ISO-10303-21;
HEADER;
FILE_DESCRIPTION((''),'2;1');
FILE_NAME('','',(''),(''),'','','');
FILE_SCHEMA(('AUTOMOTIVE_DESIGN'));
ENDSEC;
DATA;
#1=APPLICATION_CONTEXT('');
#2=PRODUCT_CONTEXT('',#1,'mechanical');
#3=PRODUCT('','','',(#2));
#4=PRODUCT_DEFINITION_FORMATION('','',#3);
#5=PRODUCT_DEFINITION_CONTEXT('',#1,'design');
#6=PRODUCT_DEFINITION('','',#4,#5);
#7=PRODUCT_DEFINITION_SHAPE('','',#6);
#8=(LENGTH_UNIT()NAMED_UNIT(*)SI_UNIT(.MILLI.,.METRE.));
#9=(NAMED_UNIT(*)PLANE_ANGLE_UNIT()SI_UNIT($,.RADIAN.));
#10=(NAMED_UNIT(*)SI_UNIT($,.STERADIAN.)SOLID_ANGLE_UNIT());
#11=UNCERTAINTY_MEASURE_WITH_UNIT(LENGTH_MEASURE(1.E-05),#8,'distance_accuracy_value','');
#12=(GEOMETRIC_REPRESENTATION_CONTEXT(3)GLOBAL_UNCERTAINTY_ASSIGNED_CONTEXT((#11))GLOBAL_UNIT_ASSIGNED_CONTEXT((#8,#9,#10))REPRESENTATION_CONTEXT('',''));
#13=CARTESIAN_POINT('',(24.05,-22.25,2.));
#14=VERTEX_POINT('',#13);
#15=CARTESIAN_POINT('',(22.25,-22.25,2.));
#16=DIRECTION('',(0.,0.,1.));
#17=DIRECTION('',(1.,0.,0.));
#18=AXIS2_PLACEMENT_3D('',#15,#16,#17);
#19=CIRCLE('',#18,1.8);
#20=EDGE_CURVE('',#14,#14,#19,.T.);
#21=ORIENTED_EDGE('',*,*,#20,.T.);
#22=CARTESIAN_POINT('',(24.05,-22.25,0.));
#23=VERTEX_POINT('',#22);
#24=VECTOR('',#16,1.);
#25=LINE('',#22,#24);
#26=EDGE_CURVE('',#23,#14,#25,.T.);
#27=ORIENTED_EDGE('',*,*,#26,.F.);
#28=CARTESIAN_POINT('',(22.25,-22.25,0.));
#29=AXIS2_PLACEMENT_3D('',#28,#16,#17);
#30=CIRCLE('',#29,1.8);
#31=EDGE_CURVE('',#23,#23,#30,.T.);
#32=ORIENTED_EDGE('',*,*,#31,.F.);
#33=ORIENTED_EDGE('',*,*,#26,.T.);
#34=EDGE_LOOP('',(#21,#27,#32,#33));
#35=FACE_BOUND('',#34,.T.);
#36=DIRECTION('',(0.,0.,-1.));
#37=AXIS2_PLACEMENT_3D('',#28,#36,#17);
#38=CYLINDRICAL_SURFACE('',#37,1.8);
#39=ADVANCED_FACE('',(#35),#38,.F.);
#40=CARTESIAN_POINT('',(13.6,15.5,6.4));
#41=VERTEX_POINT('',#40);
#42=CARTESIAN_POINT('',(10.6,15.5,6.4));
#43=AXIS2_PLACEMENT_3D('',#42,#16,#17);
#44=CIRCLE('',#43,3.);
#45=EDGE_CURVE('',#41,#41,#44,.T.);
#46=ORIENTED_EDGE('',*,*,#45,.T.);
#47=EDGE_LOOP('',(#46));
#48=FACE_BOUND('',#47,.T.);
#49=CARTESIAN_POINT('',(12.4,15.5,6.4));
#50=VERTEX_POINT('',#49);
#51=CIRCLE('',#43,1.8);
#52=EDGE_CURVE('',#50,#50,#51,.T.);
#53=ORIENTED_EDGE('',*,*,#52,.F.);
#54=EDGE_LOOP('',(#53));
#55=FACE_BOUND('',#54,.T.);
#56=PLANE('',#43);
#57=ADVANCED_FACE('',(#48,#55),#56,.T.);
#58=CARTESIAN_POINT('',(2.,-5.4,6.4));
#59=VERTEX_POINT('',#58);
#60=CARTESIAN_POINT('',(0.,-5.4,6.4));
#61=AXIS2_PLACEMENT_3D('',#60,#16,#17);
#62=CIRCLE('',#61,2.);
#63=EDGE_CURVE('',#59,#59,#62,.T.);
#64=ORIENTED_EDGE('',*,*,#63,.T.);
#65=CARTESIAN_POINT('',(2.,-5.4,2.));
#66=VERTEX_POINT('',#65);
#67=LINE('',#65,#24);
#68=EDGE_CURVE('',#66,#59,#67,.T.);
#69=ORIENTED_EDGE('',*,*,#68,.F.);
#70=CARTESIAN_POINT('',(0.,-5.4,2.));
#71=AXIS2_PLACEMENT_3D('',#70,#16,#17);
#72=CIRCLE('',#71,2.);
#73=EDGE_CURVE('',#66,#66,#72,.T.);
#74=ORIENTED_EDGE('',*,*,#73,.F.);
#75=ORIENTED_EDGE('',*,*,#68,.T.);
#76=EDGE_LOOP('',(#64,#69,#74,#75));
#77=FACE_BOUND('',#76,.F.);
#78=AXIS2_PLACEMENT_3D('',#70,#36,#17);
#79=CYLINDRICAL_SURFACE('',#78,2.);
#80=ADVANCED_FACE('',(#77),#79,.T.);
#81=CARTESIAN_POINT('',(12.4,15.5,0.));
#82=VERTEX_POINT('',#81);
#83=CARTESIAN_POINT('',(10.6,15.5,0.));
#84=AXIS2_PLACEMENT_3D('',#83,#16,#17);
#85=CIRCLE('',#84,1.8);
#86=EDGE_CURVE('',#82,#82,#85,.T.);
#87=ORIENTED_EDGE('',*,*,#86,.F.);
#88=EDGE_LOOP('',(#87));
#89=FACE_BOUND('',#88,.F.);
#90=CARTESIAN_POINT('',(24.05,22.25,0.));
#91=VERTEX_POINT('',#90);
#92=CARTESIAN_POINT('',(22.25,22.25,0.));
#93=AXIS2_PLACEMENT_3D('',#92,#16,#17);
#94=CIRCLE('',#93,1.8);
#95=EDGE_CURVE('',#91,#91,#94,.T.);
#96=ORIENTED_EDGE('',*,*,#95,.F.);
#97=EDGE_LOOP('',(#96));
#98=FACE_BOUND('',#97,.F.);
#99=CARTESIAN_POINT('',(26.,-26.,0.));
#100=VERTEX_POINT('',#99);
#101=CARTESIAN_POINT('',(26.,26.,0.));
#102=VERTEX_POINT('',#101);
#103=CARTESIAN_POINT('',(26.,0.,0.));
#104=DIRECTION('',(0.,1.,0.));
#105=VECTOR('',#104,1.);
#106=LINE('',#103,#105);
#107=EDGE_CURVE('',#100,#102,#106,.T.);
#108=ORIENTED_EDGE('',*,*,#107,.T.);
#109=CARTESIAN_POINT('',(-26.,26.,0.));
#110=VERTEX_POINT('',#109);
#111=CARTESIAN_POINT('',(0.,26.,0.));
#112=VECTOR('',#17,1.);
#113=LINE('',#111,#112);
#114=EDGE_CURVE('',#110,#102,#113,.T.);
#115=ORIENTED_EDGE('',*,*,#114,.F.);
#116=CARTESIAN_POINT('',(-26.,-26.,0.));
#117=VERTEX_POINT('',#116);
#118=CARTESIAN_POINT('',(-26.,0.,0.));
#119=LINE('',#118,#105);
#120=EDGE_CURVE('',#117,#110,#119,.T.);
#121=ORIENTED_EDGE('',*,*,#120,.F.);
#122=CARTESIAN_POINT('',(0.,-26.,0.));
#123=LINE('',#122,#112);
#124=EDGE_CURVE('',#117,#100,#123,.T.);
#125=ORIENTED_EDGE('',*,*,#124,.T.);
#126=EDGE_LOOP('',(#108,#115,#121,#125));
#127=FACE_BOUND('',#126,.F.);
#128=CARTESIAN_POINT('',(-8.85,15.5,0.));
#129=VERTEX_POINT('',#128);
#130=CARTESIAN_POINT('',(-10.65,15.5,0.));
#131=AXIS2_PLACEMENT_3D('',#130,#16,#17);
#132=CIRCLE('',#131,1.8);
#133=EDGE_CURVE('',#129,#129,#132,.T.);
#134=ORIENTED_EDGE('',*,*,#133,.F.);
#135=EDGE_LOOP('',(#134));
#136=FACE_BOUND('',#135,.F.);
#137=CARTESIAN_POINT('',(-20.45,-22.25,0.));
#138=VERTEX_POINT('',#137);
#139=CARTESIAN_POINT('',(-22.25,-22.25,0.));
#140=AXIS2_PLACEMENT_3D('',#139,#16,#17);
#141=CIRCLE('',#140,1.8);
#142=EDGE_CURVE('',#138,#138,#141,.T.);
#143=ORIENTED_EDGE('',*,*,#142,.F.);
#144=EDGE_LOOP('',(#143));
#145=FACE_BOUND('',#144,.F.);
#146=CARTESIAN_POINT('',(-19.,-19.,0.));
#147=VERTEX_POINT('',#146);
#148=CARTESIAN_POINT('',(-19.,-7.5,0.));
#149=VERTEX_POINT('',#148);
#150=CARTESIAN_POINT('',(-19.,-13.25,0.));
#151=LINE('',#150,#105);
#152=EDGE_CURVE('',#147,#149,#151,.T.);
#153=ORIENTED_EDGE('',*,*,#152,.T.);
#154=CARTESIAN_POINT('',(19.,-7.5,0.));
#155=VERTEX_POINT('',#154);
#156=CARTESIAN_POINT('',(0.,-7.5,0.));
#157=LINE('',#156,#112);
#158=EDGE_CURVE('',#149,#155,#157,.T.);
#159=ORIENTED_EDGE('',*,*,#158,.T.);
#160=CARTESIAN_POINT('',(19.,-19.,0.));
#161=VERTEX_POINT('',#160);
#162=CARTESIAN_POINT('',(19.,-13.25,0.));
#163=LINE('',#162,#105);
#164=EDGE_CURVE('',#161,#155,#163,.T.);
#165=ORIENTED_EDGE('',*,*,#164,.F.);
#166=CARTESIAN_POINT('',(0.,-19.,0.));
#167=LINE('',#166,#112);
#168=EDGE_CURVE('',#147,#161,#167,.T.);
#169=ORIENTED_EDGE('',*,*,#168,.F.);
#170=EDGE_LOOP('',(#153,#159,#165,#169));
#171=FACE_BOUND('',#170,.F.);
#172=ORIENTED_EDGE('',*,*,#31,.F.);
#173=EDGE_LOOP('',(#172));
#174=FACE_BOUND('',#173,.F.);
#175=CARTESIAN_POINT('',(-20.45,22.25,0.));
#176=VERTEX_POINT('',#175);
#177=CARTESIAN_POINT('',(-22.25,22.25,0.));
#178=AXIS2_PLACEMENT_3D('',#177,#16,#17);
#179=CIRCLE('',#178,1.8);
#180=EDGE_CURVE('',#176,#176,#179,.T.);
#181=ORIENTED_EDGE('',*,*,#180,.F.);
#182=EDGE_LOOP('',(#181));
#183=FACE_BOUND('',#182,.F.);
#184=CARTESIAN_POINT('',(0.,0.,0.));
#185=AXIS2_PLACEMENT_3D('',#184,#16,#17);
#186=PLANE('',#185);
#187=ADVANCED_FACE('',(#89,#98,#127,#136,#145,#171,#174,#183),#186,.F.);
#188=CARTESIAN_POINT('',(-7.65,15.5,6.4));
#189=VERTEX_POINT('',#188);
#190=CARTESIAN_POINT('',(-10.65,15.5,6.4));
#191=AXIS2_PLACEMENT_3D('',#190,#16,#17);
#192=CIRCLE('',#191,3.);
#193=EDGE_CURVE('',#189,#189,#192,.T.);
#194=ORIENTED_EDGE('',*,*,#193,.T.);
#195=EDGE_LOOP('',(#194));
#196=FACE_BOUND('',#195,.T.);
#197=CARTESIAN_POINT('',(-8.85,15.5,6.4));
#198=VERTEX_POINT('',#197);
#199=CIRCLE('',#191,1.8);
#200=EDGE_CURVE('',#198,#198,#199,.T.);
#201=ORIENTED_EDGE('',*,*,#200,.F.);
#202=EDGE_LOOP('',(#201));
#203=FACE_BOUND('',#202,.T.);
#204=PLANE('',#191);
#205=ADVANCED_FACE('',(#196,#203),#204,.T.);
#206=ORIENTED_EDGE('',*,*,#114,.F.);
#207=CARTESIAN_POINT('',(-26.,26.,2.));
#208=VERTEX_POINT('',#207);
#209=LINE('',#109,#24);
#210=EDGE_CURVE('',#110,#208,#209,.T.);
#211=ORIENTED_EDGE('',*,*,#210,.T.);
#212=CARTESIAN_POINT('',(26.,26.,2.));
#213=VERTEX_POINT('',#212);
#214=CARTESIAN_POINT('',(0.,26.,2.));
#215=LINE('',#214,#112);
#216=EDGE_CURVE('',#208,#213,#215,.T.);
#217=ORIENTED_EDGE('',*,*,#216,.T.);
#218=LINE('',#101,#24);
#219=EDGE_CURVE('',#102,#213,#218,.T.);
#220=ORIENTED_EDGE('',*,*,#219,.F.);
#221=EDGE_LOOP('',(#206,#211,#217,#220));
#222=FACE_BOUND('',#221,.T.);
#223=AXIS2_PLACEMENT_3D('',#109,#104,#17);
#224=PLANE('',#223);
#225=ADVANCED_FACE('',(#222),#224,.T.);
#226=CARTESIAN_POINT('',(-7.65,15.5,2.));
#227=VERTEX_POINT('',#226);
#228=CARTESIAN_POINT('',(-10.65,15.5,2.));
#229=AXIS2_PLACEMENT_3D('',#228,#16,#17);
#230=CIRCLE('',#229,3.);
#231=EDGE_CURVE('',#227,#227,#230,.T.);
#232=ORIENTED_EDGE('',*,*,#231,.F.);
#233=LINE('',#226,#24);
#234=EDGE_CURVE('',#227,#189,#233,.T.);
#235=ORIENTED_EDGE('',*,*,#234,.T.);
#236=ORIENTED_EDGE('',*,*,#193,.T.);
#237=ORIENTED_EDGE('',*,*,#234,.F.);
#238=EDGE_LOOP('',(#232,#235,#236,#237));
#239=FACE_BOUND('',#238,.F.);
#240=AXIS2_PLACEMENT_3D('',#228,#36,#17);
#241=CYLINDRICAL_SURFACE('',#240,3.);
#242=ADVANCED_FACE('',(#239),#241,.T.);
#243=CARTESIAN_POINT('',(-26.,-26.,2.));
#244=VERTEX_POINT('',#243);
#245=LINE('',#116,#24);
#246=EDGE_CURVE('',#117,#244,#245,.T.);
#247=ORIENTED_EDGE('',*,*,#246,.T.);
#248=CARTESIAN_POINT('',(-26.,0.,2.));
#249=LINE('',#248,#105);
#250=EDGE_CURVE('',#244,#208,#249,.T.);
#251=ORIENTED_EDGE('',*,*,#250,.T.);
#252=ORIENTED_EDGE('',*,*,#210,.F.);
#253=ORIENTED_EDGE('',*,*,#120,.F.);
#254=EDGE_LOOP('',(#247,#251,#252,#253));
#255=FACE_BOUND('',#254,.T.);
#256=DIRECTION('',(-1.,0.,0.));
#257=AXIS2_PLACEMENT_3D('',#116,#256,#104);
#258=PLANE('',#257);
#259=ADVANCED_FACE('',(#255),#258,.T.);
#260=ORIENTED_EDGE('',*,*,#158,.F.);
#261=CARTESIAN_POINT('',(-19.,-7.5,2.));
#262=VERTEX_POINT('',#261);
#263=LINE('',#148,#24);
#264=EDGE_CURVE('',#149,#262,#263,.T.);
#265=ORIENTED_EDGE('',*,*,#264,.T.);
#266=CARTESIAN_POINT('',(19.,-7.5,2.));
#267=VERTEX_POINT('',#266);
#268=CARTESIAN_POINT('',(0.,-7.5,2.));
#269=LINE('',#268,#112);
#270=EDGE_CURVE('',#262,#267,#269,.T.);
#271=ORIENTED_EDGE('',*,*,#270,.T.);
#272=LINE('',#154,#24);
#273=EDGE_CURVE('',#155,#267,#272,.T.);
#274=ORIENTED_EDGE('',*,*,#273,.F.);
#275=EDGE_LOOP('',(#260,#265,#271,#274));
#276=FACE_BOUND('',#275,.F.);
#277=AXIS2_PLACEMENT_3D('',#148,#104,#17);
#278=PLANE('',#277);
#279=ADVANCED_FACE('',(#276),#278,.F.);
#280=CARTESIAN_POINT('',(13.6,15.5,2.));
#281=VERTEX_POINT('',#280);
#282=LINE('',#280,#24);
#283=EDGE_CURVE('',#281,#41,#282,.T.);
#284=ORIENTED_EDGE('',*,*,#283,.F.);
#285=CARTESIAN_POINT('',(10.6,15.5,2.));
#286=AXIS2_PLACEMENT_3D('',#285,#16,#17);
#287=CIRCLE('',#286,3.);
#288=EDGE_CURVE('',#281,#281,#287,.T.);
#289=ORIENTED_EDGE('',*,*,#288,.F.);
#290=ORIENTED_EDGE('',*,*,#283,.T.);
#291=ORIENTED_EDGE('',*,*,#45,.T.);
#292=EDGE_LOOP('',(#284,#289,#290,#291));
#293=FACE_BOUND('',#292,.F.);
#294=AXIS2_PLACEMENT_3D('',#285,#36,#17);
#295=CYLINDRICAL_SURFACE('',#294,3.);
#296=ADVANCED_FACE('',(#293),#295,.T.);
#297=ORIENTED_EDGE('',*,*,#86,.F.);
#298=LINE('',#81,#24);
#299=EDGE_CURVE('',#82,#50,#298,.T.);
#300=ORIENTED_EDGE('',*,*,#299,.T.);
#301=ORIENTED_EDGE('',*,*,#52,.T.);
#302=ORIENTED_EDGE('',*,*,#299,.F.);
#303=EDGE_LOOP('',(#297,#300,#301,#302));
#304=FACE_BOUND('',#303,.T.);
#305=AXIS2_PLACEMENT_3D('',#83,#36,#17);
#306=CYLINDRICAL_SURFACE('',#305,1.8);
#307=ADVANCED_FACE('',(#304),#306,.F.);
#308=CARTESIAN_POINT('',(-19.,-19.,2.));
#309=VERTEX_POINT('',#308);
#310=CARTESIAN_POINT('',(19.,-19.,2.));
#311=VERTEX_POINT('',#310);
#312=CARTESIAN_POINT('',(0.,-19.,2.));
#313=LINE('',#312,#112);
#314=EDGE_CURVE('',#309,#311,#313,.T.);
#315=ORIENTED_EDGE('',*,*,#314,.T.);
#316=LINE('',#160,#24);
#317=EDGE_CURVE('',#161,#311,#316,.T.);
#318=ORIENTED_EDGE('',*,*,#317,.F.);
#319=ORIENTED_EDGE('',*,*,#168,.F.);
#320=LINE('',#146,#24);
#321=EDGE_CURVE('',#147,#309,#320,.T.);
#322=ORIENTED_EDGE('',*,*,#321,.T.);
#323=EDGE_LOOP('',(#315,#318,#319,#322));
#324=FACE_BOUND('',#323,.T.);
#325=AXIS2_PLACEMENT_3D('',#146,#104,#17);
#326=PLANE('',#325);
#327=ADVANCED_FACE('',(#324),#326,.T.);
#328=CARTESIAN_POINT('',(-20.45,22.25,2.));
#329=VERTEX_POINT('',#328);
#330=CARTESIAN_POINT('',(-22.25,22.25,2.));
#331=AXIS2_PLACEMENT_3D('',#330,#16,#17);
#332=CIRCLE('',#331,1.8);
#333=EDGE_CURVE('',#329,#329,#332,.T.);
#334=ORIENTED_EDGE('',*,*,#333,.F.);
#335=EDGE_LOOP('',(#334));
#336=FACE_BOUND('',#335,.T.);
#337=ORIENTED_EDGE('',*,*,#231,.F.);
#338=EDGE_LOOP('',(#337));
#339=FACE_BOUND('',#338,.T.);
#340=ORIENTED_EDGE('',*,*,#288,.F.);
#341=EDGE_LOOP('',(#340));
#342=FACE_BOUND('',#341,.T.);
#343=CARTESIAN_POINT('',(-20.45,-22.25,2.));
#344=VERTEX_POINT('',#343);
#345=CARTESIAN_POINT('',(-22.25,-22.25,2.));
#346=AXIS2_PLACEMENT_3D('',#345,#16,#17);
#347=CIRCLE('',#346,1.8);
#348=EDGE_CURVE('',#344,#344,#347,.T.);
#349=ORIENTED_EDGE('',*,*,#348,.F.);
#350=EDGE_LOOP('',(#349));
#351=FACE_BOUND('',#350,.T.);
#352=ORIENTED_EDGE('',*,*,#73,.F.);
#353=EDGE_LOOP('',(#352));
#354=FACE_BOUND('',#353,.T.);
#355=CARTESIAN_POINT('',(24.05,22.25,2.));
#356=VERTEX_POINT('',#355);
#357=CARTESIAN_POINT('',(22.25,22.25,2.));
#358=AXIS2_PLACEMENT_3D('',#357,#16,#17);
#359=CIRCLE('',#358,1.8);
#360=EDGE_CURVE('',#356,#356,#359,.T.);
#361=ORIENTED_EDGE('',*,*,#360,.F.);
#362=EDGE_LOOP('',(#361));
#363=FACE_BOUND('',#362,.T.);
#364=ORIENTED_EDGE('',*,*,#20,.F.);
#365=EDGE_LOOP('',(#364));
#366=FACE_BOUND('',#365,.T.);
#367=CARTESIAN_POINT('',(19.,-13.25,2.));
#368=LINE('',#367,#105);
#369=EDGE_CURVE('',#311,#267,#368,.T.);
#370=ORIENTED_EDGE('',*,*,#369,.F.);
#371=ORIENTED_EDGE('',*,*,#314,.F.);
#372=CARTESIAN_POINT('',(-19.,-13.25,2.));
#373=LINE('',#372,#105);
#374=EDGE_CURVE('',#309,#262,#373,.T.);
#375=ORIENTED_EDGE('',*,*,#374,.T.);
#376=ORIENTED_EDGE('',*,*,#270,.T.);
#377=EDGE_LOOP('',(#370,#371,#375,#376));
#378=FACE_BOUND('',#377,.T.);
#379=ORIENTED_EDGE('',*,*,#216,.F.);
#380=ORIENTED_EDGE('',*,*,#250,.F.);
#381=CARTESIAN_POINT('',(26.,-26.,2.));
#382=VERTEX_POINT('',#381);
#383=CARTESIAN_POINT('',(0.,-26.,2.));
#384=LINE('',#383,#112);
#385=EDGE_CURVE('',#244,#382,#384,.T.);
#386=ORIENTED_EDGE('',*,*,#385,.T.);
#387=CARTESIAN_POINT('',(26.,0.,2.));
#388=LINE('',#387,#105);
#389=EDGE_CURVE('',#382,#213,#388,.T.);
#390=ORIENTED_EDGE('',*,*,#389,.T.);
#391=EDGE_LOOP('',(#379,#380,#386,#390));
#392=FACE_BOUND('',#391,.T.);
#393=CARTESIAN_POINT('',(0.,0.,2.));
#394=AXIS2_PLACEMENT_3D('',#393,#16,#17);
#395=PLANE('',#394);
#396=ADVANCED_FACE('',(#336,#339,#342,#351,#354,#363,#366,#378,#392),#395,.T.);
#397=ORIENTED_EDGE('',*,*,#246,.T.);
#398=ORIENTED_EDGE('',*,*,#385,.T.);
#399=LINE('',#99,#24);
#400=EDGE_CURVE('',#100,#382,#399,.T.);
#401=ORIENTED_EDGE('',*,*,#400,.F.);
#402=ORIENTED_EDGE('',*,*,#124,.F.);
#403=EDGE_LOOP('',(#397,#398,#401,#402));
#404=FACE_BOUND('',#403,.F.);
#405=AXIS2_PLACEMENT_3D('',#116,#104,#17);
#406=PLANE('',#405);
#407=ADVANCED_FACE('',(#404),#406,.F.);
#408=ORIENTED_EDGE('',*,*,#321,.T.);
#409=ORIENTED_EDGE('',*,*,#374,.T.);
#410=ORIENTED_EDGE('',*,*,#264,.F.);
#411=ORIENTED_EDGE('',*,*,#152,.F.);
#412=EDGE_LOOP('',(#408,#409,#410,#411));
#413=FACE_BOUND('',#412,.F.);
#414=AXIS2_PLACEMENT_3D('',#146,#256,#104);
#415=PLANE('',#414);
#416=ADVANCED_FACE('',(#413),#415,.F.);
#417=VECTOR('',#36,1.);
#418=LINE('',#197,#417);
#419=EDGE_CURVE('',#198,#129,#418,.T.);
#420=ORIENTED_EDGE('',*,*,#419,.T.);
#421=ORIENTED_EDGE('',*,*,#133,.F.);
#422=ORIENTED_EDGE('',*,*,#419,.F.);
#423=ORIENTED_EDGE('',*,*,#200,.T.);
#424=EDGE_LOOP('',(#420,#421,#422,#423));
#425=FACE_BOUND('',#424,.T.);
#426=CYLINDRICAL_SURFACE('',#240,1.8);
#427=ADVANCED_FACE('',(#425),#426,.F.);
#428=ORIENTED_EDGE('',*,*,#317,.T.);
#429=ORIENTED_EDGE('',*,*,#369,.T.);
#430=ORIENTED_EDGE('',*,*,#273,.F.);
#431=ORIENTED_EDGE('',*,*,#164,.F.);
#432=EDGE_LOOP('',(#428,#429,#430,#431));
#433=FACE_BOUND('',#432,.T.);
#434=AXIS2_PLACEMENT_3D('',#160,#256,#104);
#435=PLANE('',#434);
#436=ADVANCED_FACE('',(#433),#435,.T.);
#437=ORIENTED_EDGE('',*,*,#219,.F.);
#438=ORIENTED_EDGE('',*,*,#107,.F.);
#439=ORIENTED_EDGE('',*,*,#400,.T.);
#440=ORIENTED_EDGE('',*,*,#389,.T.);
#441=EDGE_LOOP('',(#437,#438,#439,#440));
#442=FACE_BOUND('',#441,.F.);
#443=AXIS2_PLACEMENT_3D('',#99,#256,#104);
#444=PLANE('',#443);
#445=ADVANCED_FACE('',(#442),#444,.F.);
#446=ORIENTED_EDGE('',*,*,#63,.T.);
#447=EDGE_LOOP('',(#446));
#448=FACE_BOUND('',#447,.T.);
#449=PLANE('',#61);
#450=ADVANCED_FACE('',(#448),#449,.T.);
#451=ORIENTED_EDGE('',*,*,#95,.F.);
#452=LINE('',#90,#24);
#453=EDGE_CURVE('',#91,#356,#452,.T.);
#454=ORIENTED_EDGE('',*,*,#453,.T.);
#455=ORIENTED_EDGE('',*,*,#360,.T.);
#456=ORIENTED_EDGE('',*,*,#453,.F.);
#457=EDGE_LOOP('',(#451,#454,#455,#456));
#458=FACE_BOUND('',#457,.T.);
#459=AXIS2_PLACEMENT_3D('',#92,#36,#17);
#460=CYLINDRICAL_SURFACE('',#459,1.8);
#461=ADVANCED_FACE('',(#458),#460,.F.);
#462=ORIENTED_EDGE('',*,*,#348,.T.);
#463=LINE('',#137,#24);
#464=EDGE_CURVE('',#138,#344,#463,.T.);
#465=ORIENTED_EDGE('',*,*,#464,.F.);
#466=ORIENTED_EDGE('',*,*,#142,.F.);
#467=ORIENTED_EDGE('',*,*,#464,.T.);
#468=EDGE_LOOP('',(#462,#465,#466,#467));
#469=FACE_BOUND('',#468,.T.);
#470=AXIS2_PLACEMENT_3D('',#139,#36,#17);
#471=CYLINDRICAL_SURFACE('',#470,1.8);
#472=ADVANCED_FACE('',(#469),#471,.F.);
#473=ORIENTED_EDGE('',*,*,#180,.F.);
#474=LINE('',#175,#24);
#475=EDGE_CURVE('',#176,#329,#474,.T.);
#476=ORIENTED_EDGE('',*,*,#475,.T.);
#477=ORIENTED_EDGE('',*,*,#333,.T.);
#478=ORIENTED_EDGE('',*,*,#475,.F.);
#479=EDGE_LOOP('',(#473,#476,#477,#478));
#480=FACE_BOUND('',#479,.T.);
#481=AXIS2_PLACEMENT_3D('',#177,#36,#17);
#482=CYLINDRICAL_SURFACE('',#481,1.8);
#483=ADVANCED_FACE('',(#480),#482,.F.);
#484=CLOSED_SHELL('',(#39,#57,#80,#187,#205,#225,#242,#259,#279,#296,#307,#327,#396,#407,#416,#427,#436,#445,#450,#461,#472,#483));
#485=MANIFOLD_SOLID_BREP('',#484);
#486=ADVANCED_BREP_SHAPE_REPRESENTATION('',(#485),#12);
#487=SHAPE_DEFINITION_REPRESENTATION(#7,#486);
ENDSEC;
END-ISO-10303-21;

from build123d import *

# Parameters (mm, degrees)
SKETCH_W      = 52
SKETCH_H      = 52
SKETCH_R      = 1.8
SKETCH_W_2    = 38
SKETCH_H_2    = 11.5
PAD_DEPTH     = 2
SKETCH001_R   = 2
SKETCH001_R_2 = 3
SKETCH001_R_3 = 1.8
PAD001_DEPTH  = 4.4


with BuildPart() as part:
    # Sketch → Pad (new body)
    with BuildSketch(Plane.XY):
        Rectangle(SKETCH_W, SKETCH_H)
        with Locations((22.25, 22.25)):
            Circle(SKETCH_R, mode=Mode.SUBTRACT)
        with Locations((22.25, -22.25)):
            Circle(SKETCH_R, mode=Mode.SUBTRACT)
        with Locations((-22.25, 22.25)):
            Circle(SKETCH_R, mode=Mode.SUBTRACT)
        with Locations((-22.25, -22.25)):
            Circle(SKETCH_R, mode=Mode.SUBTRACT)
        with Locations((-10.65, 15.5)):
            Circle(SKETCH_R, mode=Mode.SUBTRACT)
        with Locations((10.6, 15.5)):
            Circle(SKETCH_R, mode=Mode.SUBTRACT)
        with Locations((0, -13.25)):
            Rectangle(SKETCH_W_2, SKETCH_H_2, mode=Mode.SUBTRACT)
    extrude(amount=PAD_DEPTH)

    # Sketch001 → Pad001 (new body)
    with BuildSketch(Plane.XY.offset(2)):
        with Locations((0, -5.4)):
            Circle(SKETCH001_R)
        with Locations((-10.65, 15.5)):
            Circle(SKETCH001_R_2)
        with Locations((-10.65, 15.5)):
            Circle(SKETCH001_R_3, mode=Mode.SUBTRACT)
        with Locations((10.6, 15.5)):
            Circle(SKETCH001_R_2)
        with Locations((10.6, 15.5)):
            Circle(SKETCH001_R_3, mode=Mode.SUBTRACT)
    extrude(amount=PAD001_DEPTH)


solid = part.part
